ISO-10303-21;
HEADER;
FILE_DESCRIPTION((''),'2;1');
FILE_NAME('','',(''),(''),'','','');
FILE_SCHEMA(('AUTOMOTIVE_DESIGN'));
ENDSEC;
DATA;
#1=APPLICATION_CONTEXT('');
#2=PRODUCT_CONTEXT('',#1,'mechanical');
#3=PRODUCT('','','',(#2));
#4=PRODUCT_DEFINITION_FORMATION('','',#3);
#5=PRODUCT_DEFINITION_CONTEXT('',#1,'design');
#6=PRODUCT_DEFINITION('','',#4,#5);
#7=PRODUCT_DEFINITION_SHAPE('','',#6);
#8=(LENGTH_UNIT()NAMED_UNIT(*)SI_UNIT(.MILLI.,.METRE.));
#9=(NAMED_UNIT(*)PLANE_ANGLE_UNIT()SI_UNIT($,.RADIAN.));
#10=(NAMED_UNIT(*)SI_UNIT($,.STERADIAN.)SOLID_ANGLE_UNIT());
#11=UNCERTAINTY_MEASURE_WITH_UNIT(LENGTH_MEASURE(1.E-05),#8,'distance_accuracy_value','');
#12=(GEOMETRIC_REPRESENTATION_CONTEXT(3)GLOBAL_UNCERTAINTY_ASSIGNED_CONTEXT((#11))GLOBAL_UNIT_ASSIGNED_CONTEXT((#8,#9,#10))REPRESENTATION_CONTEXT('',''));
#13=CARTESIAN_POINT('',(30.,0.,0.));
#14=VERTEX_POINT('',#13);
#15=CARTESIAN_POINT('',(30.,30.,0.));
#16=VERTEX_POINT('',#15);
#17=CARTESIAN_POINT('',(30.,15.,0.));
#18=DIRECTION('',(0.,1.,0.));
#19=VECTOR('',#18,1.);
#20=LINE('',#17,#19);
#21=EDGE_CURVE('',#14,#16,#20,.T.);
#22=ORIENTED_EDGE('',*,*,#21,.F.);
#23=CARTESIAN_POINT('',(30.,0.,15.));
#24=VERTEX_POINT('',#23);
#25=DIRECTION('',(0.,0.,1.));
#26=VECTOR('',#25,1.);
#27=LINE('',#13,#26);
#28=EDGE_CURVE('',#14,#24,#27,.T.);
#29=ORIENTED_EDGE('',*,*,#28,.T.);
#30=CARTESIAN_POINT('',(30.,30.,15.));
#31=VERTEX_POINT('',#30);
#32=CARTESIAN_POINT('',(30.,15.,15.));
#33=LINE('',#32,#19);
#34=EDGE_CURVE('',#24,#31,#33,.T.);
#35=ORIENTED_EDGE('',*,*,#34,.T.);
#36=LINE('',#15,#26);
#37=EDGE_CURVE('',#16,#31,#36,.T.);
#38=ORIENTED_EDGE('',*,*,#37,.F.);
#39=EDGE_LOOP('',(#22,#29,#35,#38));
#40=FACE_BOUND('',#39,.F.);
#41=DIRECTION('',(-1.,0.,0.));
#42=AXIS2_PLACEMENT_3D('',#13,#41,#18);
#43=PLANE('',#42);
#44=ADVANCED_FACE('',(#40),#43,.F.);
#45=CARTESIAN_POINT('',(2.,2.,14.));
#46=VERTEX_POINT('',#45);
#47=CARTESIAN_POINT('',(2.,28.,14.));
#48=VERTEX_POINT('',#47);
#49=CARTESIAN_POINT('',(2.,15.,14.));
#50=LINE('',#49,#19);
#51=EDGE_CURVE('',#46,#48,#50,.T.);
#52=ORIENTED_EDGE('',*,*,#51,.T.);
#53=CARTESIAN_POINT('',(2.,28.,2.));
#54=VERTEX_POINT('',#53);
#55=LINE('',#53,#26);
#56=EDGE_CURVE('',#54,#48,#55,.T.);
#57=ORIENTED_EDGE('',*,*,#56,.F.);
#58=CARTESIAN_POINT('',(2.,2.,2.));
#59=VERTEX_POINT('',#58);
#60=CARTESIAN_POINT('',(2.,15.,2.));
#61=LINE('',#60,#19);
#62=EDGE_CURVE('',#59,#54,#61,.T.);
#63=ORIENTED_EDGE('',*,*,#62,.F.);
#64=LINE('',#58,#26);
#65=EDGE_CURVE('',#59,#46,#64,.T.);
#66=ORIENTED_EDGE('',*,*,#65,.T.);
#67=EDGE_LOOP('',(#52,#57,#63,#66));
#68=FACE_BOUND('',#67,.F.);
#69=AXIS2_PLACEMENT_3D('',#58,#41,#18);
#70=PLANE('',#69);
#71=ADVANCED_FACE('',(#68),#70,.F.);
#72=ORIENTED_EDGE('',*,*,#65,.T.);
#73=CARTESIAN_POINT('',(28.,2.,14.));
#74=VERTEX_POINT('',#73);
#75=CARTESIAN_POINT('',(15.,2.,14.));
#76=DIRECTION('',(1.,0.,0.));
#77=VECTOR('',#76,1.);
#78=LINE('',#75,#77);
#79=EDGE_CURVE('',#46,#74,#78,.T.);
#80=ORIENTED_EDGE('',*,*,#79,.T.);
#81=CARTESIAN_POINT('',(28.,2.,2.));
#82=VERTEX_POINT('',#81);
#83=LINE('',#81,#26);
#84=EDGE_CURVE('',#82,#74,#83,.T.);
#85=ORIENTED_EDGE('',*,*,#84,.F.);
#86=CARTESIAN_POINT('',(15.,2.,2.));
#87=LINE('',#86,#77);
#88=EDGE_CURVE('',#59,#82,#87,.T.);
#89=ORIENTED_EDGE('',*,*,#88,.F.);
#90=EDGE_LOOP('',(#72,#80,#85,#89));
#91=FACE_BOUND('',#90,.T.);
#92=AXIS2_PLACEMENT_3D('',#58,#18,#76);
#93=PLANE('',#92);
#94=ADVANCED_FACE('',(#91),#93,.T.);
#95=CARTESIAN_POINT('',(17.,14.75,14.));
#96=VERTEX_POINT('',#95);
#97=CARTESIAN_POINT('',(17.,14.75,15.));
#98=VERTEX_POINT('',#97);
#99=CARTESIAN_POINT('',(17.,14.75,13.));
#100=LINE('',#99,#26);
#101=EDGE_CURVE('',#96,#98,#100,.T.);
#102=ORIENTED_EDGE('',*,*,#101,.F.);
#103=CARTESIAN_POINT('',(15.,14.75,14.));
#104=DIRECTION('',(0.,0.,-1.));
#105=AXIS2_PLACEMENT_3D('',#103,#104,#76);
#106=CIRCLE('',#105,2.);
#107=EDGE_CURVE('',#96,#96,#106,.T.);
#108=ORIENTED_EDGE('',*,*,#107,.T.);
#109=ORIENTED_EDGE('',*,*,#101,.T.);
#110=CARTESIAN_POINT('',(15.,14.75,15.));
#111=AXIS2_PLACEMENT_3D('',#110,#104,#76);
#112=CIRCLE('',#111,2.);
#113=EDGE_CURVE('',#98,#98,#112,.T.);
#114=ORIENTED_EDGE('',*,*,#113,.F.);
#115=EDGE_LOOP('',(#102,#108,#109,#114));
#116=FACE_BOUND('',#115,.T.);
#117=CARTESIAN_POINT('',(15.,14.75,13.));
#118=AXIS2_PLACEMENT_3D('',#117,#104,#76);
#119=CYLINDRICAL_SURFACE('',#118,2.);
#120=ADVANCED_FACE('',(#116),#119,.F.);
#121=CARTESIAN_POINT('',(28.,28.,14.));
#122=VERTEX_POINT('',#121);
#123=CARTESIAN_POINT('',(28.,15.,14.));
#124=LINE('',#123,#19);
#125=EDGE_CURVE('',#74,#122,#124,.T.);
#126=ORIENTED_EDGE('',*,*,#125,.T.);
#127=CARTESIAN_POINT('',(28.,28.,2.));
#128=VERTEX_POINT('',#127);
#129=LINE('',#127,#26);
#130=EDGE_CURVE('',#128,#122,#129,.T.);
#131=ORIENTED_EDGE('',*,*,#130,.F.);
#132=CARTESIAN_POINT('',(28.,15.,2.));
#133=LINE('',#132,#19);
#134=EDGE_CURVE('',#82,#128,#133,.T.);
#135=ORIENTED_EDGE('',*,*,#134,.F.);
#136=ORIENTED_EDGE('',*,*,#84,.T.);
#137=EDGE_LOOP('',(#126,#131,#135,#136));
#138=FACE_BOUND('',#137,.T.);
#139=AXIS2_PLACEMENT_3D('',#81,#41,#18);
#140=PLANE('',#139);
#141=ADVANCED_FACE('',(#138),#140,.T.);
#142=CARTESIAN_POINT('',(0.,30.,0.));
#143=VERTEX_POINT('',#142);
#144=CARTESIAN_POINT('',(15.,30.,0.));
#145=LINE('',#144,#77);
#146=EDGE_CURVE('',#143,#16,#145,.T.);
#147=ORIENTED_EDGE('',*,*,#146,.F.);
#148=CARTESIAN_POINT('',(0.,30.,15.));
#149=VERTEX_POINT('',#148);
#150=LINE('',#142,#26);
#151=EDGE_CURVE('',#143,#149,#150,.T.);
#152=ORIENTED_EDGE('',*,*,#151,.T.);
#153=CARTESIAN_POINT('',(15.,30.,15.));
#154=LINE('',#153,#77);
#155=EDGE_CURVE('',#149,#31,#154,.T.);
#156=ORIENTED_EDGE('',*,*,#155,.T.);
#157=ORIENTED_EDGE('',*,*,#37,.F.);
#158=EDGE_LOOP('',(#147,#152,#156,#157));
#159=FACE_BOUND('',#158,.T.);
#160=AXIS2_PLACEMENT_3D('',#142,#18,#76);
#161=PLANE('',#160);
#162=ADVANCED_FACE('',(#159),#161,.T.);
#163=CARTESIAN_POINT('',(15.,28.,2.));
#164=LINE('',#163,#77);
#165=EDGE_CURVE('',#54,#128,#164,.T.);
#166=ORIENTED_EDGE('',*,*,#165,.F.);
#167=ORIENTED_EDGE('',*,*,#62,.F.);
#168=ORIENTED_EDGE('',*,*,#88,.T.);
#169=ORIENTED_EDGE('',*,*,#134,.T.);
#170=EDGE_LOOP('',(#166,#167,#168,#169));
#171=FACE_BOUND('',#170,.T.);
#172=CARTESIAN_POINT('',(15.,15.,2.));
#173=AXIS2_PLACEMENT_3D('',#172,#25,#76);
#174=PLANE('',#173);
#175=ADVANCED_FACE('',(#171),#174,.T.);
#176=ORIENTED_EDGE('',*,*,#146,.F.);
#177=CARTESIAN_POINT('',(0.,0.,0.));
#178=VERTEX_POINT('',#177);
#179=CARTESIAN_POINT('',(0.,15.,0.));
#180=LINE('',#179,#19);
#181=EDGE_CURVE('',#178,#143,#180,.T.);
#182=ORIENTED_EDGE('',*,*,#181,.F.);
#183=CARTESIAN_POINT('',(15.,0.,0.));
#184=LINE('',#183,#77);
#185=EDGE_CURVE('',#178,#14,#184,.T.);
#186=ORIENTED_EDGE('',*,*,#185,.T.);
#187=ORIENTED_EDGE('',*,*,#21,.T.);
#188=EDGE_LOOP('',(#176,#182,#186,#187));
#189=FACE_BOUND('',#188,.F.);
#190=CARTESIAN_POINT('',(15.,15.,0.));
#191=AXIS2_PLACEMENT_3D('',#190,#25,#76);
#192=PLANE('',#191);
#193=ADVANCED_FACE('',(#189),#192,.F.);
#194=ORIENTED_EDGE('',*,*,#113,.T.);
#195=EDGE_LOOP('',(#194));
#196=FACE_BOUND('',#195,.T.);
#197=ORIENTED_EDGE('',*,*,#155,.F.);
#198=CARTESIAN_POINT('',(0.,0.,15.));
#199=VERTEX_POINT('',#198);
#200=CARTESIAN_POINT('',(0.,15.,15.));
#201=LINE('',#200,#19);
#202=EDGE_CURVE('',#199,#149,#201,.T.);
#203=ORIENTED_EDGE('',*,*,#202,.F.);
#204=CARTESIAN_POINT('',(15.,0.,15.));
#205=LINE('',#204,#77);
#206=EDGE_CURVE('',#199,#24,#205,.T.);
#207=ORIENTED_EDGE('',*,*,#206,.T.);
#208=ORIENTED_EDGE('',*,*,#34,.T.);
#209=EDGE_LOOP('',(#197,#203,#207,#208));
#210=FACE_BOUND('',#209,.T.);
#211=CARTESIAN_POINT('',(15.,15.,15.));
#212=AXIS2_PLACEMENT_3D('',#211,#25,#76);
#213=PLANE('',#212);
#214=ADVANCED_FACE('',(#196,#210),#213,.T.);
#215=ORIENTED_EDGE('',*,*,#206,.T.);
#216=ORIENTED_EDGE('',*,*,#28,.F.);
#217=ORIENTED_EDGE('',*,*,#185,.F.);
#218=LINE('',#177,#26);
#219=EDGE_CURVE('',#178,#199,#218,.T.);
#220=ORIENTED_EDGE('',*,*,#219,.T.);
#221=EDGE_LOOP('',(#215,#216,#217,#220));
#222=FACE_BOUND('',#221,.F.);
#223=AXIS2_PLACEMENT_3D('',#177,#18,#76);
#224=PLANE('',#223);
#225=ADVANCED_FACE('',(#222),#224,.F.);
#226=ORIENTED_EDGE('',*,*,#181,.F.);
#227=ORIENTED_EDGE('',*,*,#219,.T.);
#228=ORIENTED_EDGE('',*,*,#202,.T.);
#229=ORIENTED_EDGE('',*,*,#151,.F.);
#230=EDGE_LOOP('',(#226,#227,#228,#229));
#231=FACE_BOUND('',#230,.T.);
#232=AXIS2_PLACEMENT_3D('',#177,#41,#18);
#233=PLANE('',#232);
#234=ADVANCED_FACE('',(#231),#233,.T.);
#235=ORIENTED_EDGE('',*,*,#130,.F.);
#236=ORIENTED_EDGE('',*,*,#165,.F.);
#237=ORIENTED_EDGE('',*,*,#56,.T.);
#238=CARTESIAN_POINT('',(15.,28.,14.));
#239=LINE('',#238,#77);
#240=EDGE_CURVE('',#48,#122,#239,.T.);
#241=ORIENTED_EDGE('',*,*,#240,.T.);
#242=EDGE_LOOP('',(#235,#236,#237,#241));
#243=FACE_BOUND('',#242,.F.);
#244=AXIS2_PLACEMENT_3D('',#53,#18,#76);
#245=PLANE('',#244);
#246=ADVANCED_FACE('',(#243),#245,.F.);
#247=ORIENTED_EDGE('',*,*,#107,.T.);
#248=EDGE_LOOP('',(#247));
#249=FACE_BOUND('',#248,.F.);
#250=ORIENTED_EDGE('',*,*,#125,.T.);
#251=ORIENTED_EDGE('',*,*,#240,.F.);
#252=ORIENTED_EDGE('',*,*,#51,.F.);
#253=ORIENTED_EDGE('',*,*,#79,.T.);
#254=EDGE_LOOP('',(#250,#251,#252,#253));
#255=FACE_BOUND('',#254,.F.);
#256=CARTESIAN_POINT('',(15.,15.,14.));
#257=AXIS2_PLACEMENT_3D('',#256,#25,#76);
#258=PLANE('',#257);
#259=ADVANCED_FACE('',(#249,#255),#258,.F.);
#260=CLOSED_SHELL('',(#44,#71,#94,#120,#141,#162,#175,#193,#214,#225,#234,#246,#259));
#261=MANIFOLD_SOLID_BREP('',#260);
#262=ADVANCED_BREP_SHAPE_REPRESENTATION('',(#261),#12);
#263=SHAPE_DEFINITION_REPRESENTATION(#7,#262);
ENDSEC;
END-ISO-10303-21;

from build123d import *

# Parameters (mm, degrees)
CYLINDER001_R     = 2
CYLINDER001_DEPTH = 3
BOX002_W          = 26
BOX002_H          = 26
BOX002_DEPTH      = 12
BOX001_W          = 30
BOX001_H          = 30
BOX001_DEPTH      = 15


with BuildPart() as cylinder_cut:
    # Cylinder001 → Cylinder001 (new body)
    with BuildSketch(Plane(origin=(15, 14.75, 13), x_dir=(1, 0, 0), z_dir=(0, 0, 1))):
        Circle(CYLINDER001_R)
    extrude(amount=CYLINDER001_DEPTH)


with BuildPart() as box_in:
    # Box002 → Box002 (new body)
    with BuildSketch(Plane(origin=(2, 2, 2), x_dir=(1, 0, 0), z_dir=(0, 0, 1))):
        with Locations((13, 13)):
            Rectangle(BOX002_W, BOX002_H)
    extrude(amount=BOX002_DEPTH)


with BuildPart() as cut001:
    # Box001 → Box001 (new body)
    with BuildSketch(Plane.XY):
        with Locations((15, 15)):
            Rectangle(BOX001_W, BOX001_H)
    extrude(amount=BOX001_DEPTH)

    # Cut: cut Box_in
    add(box_in.part, mode=Mode.SUBTRACT)

    # Cut001: cut Cylinder_cut
    add(cylinder_cut.part, mode=Mode.SUBTRACT)


solid = cut001.part
